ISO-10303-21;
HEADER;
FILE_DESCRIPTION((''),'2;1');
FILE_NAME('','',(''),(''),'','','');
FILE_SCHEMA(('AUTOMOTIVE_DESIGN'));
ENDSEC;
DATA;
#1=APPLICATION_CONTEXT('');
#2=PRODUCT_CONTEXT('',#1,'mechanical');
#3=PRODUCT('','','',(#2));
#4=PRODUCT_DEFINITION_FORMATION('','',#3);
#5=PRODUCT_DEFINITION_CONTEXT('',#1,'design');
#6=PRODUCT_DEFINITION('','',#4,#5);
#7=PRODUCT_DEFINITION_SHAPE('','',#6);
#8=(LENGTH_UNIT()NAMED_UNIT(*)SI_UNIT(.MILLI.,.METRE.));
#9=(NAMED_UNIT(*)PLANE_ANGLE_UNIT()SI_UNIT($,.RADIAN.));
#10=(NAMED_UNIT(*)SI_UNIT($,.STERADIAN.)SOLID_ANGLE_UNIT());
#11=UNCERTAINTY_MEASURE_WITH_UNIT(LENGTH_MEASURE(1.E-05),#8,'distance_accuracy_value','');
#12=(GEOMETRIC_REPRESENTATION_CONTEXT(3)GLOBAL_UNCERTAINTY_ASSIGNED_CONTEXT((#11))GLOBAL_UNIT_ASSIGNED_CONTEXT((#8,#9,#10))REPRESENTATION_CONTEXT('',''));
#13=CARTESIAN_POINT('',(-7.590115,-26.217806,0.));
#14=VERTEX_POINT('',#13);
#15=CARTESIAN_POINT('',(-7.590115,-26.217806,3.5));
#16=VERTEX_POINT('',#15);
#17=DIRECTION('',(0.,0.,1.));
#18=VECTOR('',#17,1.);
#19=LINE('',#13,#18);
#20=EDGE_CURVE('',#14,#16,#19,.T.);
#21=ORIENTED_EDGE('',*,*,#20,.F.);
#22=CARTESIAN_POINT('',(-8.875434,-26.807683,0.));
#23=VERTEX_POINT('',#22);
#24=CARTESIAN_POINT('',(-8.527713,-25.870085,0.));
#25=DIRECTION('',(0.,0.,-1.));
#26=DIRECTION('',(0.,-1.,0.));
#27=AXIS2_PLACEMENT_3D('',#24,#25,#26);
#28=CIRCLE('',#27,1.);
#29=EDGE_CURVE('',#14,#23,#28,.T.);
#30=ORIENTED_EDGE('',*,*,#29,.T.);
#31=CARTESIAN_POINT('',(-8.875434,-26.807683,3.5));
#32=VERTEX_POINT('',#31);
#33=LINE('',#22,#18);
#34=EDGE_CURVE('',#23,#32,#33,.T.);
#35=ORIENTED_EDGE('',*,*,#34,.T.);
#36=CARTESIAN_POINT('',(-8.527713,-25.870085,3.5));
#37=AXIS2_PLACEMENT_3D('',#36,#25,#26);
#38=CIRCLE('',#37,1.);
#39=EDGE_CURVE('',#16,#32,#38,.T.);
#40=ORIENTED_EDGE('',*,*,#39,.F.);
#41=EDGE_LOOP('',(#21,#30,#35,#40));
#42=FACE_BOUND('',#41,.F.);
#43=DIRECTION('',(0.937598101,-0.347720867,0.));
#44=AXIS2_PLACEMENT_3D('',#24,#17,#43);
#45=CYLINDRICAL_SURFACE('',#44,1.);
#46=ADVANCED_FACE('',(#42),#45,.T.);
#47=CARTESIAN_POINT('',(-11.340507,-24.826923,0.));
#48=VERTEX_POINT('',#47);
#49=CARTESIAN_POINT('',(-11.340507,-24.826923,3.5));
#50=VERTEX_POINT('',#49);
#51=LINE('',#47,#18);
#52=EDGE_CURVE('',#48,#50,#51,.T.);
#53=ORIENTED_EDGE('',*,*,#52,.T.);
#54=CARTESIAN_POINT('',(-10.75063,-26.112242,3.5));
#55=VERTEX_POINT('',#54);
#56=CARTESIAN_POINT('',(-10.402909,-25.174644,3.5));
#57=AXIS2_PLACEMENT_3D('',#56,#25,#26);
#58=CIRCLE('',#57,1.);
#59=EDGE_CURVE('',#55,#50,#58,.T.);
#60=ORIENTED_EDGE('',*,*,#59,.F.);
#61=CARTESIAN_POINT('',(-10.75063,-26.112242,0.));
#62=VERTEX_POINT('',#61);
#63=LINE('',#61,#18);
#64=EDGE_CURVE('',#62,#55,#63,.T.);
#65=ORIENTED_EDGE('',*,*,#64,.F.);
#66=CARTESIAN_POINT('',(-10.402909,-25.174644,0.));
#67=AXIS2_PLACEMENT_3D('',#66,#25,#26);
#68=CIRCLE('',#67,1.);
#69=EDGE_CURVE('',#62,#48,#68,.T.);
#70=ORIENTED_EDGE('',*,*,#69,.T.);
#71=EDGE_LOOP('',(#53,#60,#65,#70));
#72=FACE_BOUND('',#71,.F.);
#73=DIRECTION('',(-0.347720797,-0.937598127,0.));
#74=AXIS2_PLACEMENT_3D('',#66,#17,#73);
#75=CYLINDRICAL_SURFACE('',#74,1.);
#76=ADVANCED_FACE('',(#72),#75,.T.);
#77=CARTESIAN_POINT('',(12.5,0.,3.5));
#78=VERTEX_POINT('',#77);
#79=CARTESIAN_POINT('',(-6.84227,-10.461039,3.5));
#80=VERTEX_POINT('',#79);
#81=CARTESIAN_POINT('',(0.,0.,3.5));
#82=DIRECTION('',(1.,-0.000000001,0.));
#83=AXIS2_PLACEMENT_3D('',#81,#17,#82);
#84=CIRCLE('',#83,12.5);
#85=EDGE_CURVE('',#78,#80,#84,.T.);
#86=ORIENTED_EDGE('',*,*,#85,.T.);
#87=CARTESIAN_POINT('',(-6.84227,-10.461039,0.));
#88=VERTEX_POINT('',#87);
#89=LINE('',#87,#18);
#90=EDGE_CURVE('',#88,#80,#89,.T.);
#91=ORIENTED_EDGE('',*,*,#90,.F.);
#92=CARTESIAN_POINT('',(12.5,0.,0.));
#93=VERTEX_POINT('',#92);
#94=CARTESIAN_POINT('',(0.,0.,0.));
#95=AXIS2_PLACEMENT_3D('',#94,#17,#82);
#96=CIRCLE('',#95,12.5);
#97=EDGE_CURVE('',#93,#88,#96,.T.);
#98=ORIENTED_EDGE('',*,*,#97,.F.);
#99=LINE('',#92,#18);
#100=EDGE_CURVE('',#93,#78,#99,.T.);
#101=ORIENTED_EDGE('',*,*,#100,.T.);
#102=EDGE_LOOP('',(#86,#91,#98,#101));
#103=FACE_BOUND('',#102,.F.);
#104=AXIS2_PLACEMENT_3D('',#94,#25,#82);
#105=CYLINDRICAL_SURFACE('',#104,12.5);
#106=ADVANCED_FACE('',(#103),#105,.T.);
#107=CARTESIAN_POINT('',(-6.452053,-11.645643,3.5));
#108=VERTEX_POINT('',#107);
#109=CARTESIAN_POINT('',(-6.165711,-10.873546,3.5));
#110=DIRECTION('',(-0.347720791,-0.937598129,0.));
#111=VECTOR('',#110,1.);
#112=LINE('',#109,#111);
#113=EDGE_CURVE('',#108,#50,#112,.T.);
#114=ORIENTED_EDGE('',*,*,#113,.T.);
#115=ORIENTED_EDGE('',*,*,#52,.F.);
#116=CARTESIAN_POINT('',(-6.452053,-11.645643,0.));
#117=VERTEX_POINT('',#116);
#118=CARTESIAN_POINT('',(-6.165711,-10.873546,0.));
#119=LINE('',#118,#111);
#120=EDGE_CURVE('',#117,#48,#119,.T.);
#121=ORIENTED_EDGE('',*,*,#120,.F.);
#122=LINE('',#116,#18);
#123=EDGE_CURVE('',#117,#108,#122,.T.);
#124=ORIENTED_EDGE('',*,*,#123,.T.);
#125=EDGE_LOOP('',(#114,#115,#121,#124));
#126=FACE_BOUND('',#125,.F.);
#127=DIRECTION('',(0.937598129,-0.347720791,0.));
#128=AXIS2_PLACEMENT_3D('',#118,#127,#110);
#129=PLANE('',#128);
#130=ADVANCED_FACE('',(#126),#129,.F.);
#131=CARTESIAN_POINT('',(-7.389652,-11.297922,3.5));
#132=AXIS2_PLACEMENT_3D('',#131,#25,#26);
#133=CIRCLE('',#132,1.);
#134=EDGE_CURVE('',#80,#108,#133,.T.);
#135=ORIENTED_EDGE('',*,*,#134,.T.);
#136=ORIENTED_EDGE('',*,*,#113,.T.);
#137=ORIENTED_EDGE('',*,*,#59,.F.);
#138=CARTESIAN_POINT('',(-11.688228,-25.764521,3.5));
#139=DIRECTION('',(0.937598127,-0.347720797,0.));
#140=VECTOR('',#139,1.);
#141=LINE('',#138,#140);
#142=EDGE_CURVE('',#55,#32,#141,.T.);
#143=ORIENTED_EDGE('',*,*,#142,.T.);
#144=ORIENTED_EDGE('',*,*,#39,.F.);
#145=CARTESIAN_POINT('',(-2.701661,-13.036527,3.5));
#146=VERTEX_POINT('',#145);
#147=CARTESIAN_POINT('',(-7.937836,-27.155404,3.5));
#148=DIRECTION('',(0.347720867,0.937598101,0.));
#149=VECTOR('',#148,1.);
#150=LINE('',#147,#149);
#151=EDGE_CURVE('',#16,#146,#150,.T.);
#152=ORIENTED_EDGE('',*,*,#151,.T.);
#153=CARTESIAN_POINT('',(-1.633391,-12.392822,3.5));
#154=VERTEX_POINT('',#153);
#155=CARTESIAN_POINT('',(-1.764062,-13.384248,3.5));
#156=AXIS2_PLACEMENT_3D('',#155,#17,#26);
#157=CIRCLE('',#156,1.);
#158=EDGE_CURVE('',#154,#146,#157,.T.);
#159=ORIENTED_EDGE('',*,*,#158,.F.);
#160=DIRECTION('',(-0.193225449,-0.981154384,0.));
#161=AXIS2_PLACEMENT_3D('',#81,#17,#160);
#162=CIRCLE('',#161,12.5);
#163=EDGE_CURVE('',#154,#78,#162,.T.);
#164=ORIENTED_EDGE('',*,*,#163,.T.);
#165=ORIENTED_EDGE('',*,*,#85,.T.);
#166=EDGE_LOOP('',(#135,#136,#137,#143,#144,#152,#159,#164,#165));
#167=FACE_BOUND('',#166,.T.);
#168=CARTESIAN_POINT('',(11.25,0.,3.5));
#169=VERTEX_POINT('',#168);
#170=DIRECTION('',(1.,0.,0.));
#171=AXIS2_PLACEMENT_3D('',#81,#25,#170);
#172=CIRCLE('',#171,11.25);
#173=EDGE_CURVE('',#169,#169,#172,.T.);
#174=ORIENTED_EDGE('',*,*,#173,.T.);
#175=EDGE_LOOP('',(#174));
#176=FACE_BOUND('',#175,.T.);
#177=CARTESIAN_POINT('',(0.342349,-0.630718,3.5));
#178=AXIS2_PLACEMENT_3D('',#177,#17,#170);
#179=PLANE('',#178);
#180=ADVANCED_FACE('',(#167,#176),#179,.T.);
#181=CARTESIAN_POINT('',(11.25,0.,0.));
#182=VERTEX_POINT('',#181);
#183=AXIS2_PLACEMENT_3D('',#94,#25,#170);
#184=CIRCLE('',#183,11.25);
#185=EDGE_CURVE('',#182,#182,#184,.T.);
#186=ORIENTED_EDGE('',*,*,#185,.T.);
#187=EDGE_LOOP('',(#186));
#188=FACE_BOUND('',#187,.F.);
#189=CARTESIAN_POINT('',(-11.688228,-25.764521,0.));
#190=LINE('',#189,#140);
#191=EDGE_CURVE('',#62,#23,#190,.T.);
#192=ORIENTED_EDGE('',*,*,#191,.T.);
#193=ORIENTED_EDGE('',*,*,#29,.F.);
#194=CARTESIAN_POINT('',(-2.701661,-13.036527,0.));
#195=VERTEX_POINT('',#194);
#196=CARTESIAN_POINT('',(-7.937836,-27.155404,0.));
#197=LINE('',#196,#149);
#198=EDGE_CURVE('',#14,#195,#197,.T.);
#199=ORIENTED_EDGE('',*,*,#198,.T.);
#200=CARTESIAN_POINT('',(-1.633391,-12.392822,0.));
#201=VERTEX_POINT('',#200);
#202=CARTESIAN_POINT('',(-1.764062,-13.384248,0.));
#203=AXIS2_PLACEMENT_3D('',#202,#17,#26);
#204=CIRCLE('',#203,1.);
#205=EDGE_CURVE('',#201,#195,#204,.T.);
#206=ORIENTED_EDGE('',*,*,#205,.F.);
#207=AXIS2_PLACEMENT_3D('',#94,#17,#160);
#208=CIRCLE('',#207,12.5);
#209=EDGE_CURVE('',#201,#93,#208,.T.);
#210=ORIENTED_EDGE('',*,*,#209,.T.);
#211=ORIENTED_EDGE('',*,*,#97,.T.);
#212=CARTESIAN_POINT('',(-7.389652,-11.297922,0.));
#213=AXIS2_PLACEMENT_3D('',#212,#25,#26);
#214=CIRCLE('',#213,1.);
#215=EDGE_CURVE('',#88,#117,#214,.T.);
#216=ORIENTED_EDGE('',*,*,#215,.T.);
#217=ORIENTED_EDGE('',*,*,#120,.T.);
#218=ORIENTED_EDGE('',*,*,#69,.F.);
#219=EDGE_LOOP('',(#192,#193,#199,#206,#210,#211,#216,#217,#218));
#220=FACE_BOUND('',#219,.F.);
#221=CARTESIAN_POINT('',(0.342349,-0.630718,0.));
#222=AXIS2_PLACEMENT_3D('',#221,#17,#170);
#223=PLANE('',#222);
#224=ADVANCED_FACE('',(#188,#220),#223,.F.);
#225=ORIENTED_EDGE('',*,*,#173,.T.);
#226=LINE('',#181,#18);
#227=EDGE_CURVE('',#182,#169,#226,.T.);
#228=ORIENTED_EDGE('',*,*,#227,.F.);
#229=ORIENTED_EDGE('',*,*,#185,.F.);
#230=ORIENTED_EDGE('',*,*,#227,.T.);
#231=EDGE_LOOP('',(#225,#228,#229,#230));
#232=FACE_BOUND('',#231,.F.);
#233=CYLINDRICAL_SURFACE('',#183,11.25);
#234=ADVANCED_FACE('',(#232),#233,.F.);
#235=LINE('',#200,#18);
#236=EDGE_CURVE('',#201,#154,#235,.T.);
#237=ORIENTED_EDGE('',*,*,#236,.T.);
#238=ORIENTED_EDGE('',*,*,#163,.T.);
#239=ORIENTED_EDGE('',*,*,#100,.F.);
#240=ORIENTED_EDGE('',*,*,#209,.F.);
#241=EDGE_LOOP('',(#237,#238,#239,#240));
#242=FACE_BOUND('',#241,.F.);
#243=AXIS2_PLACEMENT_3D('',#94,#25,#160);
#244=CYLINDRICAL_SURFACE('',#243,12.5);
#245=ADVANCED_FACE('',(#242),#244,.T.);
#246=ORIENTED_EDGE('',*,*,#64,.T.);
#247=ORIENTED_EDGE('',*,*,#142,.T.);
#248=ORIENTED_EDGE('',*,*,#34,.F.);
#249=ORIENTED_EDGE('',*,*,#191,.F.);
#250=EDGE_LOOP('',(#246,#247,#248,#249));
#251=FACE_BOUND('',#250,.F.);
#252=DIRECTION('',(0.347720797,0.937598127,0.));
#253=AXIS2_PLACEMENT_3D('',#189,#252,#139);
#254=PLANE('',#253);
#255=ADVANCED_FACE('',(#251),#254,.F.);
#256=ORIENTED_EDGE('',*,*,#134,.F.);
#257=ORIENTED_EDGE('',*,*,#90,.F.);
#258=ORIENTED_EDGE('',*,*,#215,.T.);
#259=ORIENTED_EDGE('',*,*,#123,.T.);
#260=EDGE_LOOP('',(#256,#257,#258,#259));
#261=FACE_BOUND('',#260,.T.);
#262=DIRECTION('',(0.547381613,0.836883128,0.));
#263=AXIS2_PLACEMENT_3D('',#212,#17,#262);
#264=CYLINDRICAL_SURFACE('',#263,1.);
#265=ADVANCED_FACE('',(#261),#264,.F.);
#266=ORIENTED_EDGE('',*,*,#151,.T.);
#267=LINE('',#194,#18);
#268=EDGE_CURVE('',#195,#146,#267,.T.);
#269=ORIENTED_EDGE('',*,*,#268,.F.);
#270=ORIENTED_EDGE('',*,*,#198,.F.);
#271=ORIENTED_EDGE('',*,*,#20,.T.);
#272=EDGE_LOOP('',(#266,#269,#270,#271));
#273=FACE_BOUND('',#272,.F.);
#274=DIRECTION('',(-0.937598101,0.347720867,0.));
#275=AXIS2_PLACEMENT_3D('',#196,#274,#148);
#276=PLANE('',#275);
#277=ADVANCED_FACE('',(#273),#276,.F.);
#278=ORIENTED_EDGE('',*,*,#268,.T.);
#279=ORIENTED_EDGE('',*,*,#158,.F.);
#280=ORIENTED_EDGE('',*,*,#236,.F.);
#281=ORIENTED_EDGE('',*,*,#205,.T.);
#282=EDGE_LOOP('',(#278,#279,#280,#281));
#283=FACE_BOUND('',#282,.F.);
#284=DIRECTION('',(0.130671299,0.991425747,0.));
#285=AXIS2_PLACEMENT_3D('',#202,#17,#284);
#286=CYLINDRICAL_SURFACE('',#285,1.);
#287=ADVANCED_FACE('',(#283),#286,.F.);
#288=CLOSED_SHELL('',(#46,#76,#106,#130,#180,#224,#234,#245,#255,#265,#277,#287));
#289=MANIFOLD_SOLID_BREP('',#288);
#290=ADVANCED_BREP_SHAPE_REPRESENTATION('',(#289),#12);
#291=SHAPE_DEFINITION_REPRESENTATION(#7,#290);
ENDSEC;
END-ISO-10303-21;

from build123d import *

# Parameters (mm, degrees)
F1_DEPTH = 3.5
F2_R     = 11.25
F3_DEPTH = 3.501
F4_R     = 1


with BuildPart() as f1:
    # F0 (on Top) → F1 (new body)
    with BuildSketch(Plane.XY):
        with BuildLine():
            ThreePointArc((-2.415318, -12.26443), (7.939097, -9.655089), (12.5, 0))
            ThreePointArc((12.5, 0), (-6.292003, 10.800958), (-6.165711, -10.873546))
            ThreePointArc((-6.165711, -10.873546), (-4.346511, -11.719976), (-2.415318, -12.26443))
        make_face()
        with BuildLine():
            ThreePointArc((-2.415318, -12.26443), (-4.346511, -11.719976), (-6.165711, -10.873546))
            Line((-6.165711, -10.873546), (-11.688228, -25.764521))
            Line((-11.688228, -25.764521), (-7.937836, -27.155404))
            Line((-7.937836, -27.155404), (-2.415318, -12.26443))
        make_face()
    extrude(amount=F1_DEPTH)

    # F2 (on face) → F3 (cut, through all)
    with BuildSketch(Plane(origin=(0, 0, 0), x_dir=(1, 0, 0), z_dir=(0, 0, -1))):
        Circle(F2_R)
    extrude(amount=-F3_DEPTH, mode=Mode.SUBTRACT)

    # F4
    f4_edges = [f1.edges().sort_by_distance(p)[0] for p in [
        (-7.937836, -27.155404, 1.75),
        (-11.688228, -25.764521, 1.75),
        (-2.415318, -12.26443, 1.75),
        (-6.165711, -10.873546, 1.75),
    ]]
    fillet(f4_edges, radius=F4_R)


solid = f1.part
